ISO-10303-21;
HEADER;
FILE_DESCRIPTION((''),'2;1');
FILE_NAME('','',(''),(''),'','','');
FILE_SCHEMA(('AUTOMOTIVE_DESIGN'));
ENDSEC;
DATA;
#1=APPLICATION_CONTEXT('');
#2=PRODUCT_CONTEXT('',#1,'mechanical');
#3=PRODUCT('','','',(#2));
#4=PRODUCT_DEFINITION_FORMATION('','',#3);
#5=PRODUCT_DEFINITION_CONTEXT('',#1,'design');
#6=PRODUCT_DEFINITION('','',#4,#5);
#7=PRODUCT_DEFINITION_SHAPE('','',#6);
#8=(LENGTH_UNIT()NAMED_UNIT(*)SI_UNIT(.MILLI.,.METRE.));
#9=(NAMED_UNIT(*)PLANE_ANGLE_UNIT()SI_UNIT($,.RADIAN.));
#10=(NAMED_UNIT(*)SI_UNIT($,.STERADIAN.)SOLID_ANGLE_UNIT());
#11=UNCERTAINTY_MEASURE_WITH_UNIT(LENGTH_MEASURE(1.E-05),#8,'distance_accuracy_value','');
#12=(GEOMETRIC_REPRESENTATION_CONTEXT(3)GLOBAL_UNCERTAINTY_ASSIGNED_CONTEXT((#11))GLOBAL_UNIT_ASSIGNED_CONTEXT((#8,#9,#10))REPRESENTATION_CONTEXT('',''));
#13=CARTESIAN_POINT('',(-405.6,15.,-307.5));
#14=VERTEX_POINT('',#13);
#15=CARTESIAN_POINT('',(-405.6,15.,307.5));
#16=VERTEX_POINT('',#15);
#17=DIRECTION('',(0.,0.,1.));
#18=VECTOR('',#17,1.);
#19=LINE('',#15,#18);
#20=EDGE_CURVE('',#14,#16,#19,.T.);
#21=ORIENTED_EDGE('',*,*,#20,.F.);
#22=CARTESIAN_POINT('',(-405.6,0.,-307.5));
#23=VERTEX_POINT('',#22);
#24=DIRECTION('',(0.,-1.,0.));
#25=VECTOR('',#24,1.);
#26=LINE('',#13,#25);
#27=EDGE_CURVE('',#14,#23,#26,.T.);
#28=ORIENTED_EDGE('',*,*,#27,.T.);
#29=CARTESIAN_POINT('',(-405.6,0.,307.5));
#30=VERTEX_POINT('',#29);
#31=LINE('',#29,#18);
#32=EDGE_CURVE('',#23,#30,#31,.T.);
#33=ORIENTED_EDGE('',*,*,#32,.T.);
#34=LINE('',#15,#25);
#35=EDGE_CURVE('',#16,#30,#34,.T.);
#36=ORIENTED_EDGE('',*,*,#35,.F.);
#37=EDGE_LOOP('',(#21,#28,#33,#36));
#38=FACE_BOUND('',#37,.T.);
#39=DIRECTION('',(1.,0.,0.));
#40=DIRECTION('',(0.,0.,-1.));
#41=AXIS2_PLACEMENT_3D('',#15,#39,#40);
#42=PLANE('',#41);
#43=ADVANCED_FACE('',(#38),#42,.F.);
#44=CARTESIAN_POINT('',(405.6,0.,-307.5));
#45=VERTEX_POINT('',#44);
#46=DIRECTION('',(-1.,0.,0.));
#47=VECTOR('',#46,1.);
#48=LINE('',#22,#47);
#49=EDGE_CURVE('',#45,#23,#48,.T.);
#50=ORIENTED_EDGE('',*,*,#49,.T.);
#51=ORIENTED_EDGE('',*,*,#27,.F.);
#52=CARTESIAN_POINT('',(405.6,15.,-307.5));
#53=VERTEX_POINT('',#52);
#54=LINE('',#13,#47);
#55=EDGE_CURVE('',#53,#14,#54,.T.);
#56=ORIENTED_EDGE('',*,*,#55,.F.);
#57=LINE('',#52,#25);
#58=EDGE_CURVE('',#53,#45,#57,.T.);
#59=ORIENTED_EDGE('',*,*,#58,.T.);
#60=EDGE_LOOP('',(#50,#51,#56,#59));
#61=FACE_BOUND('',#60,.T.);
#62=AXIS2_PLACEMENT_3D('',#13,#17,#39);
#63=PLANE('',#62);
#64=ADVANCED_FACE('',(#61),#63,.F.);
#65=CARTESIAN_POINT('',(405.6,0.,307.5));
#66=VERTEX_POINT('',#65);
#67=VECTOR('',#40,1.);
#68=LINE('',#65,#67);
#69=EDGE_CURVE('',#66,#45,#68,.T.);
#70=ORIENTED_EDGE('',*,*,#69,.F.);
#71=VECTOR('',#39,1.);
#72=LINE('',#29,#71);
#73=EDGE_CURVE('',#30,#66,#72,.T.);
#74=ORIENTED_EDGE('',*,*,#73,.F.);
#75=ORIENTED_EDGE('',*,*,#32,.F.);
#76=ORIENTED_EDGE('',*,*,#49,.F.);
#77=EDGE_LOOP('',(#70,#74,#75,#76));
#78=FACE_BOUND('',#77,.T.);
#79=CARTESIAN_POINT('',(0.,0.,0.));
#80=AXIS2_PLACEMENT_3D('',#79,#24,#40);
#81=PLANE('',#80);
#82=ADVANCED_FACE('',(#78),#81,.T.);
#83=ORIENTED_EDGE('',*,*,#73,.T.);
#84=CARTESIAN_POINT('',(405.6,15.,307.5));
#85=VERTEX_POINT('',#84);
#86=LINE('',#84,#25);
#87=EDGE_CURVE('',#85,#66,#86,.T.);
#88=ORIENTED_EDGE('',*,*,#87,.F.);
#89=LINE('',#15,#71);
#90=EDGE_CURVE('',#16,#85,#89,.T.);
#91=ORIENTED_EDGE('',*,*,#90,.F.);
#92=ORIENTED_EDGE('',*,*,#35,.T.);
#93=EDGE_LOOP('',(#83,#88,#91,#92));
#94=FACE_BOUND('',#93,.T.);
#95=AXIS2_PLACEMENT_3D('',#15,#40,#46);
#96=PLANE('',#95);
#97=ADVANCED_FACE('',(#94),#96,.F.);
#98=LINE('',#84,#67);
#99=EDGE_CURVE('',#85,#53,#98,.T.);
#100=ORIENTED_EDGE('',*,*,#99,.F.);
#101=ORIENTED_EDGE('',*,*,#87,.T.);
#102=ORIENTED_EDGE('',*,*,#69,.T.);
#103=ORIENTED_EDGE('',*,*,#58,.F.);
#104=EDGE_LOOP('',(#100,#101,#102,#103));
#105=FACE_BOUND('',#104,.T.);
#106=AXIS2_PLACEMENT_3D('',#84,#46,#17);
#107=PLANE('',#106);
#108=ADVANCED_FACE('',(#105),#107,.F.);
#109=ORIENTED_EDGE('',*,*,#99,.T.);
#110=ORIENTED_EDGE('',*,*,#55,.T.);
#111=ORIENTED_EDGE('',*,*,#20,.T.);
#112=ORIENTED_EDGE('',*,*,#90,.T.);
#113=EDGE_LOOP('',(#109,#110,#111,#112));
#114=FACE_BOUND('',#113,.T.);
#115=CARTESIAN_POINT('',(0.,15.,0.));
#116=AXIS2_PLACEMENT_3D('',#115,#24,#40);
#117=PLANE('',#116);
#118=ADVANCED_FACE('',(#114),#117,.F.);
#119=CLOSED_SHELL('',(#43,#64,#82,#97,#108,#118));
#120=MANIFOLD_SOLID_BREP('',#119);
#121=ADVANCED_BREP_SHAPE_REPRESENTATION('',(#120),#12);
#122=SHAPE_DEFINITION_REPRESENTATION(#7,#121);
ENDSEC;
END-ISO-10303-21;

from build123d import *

# Parameters (mm, degrees)
CROQUIS1_W              = 811.2
CROQUIS1_H              = 615
SALIENTE_EXTRUIR1_DEPTH = 15


with BuildPart() as part:
    # Croquis1 → Saliente-Extruir1 (new body)
    with BuildSketch(Plane(origin=(0, 0, 0), x_dir=(1, 0, 0), z_dir=(0, 1, 0))):
        Rectangle(CROQUIS1_W, CROQUIS1_H)
    extrude(amount=SALIENTE_EXTRUIR1_DEPTH)


solid = part.part
